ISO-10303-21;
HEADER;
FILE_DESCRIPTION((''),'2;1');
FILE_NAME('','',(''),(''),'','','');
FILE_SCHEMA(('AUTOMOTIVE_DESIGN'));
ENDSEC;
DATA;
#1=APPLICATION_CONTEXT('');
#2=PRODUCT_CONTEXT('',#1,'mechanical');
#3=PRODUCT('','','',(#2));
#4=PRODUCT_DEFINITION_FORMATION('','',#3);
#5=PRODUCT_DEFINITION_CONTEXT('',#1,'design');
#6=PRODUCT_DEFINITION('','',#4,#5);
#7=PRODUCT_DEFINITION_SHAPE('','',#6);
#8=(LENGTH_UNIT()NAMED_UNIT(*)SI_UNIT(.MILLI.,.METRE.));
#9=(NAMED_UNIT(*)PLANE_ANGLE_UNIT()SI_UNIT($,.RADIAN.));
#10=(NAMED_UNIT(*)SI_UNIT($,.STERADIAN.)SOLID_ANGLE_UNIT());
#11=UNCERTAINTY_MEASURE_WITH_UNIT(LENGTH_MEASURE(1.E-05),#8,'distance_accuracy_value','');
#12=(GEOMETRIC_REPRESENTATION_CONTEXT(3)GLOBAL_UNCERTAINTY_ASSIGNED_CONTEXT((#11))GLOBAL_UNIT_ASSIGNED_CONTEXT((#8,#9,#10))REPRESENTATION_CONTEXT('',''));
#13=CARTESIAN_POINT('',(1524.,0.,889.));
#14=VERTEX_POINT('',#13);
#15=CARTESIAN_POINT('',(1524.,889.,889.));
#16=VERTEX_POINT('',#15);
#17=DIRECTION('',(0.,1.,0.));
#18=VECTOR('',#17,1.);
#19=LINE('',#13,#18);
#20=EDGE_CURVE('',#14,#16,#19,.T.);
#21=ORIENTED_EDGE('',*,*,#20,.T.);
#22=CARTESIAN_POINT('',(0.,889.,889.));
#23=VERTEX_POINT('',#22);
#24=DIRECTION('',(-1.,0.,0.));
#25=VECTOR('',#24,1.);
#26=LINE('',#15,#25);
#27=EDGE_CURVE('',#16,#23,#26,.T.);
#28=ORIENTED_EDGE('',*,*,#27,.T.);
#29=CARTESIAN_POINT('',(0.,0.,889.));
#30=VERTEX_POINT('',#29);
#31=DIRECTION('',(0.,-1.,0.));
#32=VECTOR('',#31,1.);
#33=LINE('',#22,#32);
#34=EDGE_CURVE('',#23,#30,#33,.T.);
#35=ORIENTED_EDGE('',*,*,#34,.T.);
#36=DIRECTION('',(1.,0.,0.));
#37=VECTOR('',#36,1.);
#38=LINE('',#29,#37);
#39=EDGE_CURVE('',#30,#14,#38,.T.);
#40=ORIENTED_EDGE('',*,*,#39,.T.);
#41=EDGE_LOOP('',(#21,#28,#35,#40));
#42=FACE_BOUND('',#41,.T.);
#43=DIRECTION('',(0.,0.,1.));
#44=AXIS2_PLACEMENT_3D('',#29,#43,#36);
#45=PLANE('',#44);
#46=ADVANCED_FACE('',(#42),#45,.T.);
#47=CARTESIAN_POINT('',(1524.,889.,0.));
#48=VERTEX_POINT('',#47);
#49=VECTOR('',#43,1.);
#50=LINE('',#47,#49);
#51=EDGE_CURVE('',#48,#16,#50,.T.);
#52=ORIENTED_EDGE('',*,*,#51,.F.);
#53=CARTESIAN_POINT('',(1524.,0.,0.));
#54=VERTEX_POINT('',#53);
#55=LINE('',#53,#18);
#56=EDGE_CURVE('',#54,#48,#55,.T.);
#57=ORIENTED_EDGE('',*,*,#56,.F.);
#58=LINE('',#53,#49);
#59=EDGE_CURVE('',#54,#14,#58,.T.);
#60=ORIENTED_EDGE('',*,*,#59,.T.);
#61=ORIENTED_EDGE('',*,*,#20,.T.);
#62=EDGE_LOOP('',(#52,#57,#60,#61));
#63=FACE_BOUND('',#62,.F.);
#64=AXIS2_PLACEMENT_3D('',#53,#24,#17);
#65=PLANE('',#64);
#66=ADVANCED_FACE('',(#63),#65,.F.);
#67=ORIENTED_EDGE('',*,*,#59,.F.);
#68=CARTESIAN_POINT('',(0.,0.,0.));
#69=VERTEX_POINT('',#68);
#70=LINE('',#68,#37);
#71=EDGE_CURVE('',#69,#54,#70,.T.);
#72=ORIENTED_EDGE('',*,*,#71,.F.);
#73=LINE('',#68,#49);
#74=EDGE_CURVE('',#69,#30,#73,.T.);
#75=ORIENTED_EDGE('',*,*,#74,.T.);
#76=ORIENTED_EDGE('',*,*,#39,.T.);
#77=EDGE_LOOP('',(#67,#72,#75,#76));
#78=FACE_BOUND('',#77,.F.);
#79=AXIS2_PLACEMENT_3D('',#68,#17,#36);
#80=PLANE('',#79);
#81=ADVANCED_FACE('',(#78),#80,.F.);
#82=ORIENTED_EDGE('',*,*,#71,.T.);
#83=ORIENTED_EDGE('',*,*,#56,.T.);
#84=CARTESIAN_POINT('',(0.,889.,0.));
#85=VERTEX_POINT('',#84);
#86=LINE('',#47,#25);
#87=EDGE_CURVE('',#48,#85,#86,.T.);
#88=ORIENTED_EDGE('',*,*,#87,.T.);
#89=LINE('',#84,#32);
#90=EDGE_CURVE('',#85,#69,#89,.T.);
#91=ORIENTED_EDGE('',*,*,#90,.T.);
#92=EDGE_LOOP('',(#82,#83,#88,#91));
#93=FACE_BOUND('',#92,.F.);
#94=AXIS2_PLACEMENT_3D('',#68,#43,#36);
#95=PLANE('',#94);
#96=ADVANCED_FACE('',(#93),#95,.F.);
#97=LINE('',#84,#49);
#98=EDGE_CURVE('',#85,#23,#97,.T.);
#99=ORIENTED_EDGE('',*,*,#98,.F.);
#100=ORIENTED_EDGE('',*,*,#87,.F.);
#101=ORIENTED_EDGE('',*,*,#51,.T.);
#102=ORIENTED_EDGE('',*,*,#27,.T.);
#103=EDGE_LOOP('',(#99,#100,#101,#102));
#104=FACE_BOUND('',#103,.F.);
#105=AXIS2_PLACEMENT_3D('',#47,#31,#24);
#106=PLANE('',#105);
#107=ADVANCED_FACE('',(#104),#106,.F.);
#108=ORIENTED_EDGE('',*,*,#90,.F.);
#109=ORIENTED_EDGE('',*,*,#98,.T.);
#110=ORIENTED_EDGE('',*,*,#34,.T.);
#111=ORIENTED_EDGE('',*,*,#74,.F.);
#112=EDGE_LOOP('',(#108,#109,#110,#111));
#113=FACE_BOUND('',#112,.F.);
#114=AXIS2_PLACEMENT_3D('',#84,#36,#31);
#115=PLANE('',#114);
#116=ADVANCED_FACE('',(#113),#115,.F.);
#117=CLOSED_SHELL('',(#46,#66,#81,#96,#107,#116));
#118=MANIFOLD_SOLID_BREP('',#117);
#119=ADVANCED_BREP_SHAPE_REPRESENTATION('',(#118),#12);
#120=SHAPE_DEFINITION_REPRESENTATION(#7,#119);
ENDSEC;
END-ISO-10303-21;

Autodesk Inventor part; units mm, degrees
ref_plane "YZ Plane" through (0, 0, 0) normal (1, 0, 0) x (0, 1, 0)
ref_plane "XZ Plane" through (0, 0, 0) normal (0, 1, 0) x (-1, 0, 0)
ref_plane "XY Plane" through (0, 0, 0) normal (0, 0, 1) x (1, 0, 0)
sketch "Sketch1" plane through (0, 0, 0) normal (0, 0, 1) x (1, 0, 0)
  line L0 (0, 0) -> (1524, 0)
  line L1 (1524, 0) -> (1524, 889)
  line L2 (1524, 889) -> (0, 889)
  line L3 (0, 889) -> (0, 0)
  dimension "d0" = 1524
  dimension "d1" = 889
extrude "Extrusion1" add sketch "Sketch1" along normal blind 889
properties part number "1st" material "Granite, Cut, Rough"
